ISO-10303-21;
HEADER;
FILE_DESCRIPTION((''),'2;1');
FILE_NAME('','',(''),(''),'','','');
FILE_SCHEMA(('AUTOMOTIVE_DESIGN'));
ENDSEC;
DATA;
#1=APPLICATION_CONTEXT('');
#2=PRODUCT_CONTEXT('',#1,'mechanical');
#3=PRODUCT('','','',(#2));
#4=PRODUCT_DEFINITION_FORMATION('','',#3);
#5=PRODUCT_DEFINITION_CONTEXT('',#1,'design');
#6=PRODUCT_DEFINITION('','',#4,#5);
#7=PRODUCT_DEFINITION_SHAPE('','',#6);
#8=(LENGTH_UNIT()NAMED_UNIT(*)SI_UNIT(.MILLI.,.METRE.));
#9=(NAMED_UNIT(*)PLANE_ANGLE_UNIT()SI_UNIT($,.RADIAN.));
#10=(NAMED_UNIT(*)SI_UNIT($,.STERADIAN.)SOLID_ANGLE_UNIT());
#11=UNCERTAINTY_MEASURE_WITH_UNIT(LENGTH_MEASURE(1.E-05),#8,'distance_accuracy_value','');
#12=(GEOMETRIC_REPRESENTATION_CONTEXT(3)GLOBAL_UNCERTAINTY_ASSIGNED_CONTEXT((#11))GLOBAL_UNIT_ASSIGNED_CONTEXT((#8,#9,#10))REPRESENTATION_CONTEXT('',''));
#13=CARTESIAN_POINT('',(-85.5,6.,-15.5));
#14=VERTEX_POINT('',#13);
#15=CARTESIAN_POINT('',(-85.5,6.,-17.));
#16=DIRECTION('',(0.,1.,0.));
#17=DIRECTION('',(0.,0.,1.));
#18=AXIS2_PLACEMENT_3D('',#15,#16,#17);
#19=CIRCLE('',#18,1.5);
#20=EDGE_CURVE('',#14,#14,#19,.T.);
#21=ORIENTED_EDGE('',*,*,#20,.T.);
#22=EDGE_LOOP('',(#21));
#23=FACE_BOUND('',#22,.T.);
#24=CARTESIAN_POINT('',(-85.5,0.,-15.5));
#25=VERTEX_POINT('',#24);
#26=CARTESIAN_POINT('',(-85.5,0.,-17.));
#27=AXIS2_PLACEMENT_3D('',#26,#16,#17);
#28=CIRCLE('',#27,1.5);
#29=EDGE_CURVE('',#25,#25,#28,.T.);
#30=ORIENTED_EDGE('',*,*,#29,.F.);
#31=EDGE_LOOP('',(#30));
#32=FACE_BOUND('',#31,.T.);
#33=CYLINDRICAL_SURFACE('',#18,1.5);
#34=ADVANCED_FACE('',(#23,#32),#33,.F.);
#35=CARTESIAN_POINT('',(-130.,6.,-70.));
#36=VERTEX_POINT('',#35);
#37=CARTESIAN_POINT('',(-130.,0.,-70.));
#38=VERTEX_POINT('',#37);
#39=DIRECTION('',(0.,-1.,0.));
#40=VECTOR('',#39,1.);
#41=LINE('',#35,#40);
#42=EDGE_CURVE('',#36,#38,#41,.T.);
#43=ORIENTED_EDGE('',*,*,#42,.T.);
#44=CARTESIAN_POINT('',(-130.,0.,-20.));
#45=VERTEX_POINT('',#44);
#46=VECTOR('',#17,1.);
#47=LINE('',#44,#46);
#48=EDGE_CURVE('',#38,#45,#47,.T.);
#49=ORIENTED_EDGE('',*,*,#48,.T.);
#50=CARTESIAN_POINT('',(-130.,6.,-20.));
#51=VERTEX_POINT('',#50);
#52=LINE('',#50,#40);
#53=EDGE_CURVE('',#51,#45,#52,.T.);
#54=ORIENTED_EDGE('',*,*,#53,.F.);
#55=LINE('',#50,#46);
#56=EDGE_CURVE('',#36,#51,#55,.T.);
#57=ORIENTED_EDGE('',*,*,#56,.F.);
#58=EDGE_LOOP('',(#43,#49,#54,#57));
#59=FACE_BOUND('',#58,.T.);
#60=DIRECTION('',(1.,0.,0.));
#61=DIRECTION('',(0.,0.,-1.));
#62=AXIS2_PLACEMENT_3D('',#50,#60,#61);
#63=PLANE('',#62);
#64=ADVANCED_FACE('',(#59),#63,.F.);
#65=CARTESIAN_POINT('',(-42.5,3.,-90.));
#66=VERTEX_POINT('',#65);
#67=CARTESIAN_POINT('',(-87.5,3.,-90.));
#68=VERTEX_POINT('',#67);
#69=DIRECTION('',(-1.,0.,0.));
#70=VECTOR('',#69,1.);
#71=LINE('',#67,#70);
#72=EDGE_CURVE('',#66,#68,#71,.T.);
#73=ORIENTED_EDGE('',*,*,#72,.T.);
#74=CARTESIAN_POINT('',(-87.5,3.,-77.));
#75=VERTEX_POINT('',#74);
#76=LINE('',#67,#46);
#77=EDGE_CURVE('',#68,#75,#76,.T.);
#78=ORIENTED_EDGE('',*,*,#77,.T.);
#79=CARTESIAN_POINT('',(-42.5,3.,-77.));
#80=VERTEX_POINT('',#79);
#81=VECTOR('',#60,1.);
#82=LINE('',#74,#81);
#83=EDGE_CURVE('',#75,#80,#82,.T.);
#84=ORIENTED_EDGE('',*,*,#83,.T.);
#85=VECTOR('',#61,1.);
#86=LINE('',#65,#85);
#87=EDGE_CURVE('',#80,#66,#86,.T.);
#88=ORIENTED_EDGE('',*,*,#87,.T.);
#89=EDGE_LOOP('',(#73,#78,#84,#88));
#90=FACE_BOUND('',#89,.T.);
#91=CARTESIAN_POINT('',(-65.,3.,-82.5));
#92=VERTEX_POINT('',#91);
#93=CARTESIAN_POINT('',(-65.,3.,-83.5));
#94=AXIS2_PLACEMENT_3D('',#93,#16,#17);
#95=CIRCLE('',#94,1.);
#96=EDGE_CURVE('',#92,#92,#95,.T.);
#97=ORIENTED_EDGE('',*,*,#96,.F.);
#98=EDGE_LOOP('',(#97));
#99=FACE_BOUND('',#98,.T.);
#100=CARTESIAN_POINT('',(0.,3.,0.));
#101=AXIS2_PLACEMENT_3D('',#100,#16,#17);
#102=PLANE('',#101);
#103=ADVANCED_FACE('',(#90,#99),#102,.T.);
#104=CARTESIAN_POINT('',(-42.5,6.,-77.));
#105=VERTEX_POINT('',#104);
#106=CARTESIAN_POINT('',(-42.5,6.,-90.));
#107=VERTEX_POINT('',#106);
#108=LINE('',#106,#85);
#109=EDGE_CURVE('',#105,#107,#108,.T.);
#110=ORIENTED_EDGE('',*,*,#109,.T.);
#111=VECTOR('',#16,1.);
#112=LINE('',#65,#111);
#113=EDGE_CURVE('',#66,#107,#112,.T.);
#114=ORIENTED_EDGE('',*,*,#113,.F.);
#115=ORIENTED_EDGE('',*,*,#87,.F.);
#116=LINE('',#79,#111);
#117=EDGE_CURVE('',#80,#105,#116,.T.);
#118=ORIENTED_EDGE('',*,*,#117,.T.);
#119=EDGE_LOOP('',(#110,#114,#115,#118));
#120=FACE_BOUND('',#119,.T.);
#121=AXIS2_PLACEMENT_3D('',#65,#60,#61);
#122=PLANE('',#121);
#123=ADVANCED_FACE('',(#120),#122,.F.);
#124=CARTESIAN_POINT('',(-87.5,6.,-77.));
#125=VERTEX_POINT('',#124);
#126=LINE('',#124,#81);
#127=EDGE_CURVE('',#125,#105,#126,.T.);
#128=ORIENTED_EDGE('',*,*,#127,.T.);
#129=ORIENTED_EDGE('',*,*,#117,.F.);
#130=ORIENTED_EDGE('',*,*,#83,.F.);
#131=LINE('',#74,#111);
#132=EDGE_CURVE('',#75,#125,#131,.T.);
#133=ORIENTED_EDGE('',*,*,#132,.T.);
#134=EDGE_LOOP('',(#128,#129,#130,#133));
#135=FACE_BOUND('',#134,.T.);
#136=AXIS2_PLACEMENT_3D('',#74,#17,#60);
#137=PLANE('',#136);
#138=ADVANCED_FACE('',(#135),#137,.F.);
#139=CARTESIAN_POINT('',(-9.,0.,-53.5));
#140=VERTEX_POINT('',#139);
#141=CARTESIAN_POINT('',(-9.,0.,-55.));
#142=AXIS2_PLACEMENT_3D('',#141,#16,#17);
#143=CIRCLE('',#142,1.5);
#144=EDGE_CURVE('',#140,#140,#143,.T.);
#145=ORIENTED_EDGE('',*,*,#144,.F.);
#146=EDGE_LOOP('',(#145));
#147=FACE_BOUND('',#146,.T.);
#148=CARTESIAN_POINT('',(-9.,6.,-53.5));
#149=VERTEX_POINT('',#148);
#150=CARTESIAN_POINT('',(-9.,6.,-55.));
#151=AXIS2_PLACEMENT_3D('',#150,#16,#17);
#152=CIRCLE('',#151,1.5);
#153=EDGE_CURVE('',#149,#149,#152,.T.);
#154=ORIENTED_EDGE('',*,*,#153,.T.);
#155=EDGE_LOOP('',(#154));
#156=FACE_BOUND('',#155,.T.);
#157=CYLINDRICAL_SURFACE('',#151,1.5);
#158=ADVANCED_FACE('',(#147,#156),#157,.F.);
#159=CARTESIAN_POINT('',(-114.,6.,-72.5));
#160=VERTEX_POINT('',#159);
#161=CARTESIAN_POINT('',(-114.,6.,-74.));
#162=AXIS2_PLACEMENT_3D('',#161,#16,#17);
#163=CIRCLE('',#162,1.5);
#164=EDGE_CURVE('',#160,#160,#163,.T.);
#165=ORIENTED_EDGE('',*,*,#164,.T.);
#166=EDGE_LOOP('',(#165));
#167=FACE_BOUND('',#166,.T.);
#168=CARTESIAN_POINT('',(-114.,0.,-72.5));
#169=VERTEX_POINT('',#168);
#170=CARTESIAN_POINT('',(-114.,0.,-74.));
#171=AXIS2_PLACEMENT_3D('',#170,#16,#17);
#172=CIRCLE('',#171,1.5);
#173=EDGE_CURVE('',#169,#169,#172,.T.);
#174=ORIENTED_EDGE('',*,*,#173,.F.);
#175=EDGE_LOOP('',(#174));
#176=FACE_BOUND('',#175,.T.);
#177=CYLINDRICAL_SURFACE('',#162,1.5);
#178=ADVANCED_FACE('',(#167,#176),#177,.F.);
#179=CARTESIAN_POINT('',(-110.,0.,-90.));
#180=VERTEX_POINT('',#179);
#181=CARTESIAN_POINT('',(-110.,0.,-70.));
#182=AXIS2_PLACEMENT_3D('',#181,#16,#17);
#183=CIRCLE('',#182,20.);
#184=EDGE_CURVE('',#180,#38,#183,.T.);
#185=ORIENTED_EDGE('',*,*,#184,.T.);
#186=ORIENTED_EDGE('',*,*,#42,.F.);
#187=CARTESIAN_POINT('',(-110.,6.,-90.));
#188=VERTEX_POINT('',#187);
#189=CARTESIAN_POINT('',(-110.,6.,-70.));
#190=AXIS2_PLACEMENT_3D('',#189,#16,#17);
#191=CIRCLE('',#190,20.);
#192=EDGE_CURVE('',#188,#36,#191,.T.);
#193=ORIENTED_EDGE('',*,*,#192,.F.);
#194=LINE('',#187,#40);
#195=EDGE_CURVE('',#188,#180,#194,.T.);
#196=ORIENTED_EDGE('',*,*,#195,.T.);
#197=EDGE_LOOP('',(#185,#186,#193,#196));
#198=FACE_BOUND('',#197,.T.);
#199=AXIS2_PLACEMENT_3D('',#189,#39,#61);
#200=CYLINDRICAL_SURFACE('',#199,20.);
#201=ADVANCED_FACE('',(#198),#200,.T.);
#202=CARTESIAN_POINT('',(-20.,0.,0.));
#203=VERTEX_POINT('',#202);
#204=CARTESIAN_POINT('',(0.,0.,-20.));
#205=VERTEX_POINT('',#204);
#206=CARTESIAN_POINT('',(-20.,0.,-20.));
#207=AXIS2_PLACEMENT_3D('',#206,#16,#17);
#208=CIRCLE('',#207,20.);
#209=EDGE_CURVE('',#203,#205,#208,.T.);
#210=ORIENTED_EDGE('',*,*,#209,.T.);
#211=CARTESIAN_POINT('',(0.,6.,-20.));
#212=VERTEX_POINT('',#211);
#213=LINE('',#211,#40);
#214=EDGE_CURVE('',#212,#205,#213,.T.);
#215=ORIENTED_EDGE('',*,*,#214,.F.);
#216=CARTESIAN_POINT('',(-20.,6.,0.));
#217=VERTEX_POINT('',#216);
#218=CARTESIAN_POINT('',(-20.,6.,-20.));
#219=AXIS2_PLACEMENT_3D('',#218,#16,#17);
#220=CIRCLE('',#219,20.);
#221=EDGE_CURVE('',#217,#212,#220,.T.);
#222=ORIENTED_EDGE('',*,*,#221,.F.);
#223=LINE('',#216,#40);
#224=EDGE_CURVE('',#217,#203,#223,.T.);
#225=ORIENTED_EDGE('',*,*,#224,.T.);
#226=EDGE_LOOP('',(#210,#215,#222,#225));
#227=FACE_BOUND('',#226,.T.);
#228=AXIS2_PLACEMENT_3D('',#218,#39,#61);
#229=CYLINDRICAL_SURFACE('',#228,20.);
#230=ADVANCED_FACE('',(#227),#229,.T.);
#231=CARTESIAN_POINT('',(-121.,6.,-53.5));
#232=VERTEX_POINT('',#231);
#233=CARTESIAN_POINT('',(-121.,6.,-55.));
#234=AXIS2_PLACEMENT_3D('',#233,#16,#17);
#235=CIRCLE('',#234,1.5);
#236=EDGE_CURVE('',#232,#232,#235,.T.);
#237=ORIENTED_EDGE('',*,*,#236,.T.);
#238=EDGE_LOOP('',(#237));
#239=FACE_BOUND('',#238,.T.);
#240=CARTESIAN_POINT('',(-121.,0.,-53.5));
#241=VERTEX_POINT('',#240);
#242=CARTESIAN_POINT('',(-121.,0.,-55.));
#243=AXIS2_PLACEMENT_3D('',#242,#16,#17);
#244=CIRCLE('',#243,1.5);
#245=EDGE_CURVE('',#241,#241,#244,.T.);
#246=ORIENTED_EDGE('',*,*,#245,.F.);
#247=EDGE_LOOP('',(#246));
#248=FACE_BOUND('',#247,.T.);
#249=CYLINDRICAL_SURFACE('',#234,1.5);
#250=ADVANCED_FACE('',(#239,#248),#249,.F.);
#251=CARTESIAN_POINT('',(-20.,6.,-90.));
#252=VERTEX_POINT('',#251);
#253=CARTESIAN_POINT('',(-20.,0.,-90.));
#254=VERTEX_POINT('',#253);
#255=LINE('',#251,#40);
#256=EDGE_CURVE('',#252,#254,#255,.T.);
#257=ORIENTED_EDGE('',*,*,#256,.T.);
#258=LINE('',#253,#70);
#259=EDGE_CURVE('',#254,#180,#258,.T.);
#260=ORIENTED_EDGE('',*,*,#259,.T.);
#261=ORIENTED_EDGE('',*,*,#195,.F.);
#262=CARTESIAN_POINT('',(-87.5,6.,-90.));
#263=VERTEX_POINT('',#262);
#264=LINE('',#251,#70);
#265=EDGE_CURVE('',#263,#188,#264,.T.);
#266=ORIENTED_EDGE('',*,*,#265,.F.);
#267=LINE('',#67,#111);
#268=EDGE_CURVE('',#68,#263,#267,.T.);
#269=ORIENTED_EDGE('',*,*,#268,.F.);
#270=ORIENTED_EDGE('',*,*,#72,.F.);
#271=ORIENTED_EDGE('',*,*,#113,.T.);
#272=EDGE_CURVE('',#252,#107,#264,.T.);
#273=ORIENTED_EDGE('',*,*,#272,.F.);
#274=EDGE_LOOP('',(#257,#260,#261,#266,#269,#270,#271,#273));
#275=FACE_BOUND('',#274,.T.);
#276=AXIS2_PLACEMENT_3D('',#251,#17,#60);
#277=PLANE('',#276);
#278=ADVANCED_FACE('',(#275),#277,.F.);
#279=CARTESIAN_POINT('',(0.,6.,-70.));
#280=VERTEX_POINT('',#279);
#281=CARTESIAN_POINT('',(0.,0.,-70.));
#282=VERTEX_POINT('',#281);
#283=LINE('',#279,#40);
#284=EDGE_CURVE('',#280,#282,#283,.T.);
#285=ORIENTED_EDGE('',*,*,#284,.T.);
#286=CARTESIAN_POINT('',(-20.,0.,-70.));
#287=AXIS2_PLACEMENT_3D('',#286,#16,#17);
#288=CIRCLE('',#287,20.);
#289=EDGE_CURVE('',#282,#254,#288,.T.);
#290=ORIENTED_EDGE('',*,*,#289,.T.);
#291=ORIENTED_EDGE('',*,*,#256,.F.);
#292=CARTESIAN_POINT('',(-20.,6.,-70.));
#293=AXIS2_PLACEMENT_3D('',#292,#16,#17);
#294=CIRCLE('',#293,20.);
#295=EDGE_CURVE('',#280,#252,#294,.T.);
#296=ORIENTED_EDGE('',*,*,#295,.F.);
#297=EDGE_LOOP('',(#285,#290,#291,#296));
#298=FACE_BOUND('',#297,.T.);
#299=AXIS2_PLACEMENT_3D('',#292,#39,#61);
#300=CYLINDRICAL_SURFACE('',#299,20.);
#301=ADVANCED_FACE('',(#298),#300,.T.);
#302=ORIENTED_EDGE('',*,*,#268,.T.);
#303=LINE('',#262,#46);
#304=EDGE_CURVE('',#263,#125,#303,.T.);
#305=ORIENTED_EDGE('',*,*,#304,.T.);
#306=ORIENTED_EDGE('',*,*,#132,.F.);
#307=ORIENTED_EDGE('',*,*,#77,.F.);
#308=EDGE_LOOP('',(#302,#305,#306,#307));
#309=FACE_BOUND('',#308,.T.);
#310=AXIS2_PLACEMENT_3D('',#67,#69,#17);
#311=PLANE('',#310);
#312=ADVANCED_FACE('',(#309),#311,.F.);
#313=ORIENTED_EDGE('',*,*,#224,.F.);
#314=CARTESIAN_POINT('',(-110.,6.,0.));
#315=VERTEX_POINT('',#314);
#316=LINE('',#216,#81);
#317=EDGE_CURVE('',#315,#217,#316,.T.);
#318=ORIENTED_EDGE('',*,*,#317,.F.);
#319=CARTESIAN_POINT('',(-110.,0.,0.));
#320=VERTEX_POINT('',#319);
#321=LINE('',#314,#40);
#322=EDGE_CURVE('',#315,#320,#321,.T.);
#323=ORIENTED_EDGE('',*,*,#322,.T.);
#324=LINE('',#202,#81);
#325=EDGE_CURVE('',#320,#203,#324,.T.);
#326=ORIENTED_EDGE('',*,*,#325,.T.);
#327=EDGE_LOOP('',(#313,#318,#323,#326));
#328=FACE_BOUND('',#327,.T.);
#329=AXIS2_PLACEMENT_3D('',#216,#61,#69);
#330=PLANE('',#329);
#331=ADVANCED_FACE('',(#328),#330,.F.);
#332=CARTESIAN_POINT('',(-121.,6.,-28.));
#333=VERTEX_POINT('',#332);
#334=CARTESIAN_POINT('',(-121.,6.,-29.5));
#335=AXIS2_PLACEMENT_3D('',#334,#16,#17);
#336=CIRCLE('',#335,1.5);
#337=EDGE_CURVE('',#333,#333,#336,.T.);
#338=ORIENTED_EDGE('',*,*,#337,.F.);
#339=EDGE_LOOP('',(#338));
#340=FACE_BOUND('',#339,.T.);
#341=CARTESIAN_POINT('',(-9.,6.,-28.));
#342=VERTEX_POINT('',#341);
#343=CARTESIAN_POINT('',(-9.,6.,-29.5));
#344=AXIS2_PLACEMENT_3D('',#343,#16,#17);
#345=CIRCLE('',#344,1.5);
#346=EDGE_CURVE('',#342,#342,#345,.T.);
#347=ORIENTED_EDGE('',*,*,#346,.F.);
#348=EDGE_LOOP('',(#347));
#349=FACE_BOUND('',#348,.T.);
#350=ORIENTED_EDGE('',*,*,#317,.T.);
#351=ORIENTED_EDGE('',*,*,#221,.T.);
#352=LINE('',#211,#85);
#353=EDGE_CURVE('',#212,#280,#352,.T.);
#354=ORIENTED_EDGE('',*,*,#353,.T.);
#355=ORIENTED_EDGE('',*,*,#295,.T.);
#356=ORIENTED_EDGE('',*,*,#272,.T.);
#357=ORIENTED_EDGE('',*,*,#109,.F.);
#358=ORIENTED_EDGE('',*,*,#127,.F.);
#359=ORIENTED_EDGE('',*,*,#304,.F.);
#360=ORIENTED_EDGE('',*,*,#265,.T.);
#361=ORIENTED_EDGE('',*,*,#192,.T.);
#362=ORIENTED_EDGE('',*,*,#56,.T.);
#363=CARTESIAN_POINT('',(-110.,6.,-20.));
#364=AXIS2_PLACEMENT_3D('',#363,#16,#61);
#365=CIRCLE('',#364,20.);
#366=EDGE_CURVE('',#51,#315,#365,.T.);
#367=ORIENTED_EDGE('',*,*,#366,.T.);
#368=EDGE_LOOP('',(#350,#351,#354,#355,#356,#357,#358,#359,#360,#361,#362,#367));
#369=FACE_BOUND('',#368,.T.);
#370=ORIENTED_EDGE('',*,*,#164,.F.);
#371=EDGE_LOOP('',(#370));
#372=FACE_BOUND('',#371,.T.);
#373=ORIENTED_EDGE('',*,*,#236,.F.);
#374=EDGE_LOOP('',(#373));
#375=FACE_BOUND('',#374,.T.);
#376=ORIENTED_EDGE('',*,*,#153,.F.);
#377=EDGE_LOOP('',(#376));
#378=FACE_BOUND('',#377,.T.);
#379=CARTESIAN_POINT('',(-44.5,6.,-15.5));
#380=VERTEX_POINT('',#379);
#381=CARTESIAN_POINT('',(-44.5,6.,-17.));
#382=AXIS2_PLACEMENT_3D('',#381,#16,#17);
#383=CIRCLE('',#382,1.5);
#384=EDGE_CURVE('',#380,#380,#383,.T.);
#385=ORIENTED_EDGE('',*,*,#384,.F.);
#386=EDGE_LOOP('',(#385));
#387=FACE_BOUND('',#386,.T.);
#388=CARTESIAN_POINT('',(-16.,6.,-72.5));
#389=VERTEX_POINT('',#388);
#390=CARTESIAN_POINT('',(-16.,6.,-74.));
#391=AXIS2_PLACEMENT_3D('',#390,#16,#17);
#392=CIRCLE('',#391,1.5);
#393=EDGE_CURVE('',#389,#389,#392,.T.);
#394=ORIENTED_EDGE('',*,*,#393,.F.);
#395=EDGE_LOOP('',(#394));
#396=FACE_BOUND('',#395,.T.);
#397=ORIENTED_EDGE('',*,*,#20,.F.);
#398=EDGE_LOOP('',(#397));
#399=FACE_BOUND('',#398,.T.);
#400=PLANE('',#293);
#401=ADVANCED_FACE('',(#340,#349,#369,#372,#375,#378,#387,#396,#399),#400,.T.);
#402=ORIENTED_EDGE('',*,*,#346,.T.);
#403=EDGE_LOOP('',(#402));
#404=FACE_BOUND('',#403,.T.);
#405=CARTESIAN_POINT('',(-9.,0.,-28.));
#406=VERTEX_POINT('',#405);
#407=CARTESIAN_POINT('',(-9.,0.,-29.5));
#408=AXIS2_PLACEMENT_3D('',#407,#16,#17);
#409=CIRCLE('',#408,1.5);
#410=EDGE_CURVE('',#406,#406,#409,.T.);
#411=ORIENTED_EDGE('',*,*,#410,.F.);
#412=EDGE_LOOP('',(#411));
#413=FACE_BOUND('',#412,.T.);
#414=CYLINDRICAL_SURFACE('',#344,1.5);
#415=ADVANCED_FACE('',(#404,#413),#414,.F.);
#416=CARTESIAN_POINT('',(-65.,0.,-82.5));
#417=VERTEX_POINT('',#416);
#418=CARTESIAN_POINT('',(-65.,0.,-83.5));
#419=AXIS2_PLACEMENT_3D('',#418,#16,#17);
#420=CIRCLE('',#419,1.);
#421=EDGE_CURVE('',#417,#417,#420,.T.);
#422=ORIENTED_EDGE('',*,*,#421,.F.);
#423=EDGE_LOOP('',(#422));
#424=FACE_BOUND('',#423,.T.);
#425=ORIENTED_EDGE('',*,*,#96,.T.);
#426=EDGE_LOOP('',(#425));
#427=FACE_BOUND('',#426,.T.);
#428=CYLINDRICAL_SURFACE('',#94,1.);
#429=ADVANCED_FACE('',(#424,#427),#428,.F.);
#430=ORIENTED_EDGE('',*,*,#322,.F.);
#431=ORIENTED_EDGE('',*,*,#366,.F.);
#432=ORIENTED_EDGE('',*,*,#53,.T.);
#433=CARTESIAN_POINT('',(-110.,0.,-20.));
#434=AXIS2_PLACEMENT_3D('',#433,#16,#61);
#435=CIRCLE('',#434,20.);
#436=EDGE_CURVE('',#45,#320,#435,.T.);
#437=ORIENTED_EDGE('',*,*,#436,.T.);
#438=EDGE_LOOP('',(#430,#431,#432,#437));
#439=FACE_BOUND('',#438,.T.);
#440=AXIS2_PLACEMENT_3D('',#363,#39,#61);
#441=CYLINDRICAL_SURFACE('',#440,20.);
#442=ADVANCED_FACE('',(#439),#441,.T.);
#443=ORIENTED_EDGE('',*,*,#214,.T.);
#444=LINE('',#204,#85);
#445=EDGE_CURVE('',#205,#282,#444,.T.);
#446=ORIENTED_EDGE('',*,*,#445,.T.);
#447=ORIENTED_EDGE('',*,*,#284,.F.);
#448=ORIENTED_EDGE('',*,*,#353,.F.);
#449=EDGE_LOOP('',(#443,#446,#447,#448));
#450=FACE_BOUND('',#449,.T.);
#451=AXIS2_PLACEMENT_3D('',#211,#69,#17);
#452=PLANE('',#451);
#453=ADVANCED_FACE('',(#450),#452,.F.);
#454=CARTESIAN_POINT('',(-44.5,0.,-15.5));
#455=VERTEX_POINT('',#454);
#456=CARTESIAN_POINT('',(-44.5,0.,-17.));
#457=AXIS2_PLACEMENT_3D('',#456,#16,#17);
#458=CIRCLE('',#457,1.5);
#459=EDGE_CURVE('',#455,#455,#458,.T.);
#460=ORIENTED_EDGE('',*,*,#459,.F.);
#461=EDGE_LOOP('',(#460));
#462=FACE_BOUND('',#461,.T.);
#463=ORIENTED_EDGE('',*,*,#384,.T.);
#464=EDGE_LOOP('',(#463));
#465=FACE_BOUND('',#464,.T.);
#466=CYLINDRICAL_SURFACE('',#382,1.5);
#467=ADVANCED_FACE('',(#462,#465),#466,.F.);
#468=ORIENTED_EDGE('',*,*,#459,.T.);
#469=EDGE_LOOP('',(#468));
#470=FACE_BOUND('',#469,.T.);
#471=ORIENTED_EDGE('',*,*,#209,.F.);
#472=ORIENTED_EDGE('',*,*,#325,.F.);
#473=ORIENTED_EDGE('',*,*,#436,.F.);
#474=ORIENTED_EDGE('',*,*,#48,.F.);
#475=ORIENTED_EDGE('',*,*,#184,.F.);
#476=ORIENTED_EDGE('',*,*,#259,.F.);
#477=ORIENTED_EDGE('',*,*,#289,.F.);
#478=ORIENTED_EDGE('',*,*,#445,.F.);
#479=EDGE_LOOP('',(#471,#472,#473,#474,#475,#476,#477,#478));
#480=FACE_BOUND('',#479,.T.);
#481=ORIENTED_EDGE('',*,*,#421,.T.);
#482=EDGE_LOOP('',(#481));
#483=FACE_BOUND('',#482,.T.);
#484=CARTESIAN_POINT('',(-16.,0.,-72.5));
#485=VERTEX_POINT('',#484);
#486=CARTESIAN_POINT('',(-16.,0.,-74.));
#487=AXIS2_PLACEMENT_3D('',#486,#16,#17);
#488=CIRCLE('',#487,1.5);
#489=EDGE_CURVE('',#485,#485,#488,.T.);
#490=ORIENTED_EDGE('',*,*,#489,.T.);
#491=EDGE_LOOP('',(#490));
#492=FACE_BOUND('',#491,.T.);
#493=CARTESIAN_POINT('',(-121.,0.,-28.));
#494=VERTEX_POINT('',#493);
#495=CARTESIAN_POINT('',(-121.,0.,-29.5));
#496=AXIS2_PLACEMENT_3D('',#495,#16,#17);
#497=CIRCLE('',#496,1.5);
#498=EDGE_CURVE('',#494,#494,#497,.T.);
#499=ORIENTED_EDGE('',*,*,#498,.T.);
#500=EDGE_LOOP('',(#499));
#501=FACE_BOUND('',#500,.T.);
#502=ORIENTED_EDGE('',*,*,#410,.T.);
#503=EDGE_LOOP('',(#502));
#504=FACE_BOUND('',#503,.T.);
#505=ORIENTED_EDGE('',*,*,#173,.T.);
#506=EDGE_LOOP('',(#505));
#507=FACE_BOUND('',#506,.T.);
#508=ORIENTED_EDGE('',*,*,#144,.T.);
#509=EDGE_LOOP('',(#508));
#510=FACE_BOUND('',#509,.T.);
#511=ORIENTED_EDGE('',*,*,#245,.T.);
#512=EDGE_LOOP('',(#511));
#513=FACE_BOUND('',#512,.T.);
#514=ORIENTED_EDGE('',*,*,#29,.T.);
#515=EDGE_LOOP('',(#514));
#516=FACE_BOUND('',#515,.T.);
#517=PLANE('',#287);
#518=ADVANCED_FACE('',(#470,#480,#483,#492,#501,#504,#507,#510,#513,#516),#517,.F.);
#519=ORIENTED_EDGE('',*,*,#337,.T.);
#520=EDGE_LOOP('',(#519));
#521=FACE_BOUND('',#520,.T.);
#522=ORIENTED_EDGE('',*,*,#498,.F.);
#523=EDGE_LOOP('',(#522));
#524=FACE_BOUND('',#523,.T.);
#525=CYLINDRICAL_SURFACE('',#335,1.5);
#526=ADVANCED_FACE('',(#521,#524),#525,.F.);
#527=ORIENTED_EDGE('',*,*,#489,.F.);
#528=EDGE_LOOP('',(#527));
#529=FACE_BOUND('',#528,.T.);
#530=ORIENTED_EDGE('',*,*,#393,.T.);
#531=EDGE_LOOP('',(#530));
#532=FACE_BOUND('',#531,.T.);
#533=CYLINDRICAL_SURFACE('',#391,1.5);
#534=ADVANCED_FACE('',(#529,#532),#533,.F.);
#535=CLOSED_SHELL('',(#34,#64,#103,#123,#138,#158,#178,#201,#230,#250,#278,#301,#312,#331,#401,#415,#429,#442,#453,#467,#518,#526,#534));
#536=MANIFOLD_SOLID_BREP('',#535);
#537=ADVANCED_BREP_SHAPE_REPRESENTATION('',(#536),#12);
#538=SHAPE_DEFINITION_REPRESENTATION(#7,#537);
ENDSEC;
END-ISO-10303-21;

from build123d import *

# Parameters (mm, degrees)
BOSS_EXTRUDE1_DEPTH       = 6
SKETCH3_W                 = 45
SKETCH3_H                 = 13
CUT_EXTRUDE1_DEPTH        = 3
F_2_0MM_DOWEL_HOLE1_D     = 2
F_2_0MM_DOWEL_HOLE1_DEPTH = 12
F_2_0MM_DOWEL_HOLE1_TIP   = 0.600860619
F_3_0MM_DOWEL_HOLE1_D     = 3
F_3_0MM_DOWEL_HOLE1_DEPTH = 12
F_3_0MM_DOWEL_HOLE1_TIP   = 0.901290929


with BuildPart() as part:
    # Sketch2 → Boss-Extrude1 (new body)
    with BuildSketch(Plane(origin=(0, 0, 0), x_dir=(1, 0, 0), z_dir=(0, 1, 0))):
        with BuildLine():
            Line((-20, 0), (-110, 0))
            ThreePointArc((-110, 0), (-124.142135624, 5.857864376), (-130, 20))
            Line((-130, 20), (-130, 70))
            ThreePointArc((-130, 70), (-124.142135624, 84.142135624), (-110, 90))
            Line((-110, 90), (-20, 90))
            ThreePointArc((-20, 90), (-5.857864376, 84.142135624), (0, 70))
            Line((0, 70), (0, 20))
            ThreePointArc((0, 20), (-5.857864376, 5.857864376), (-20, 0))
        make_face()
    extrude(amount=BOSS_EXTRUDE1_DEPTH)

    # Sketch3 → Cut-Extrude1 (cut)
    with BuildSketch(Plane(origin=(0, 6, 0), x_dir=(1, 0, 0), z_dir=(0, 1, 0))):
        with Locations((-65, 83.5)):
            Rectangle(SKETCH3_W, SKETCH3_H)
    extrude(amount=-CUT_EXTRUDE1_DEPTH, mode=Mode.SUBTRACT)

    # Ø2.0mm Dowel Hole1
    with Locations(Plane(origin=(0, 3, 0), x_dir=(1, 0, 0), z_dir=(0, 1, 0))):
        with Locations((-65, 83.5)):
            Hole(F_2_0MM_DOWEL_HOLE1_D / 2, depth=F_2_0MM_DOWEL_HOLE1_DEPTH)
            with Locations((0, 0, -(F_2_0MM_DOWEL_HOLE1_DEPTH + F_2_0MM_DOWEL_HOLE1_TIP / 2))):  # 118° drill point
                Cone(0, F_2_0MM_DOWEL_HOLE1_D / 2, F_2_0MM_DOWEL_HOLE1_TIP, mode=Mode.SUBTRACT)

    # Ø3.0mm Dowel Hole1
    with Locations(Plane(origin=(0, 6, 0), x_dir=(1, 0, 0), z_dir=(0, 1, 0))):
        with Locations((-114, 74), (-16, 74), (-121, 55), (-9, 55), (-121, 29.5), (-9, 29.5), (-85.5, 17), (-44.5, 17)):
            Hole(F_3_0MM_DOWEL_HOLE1_D / 2, depth=F_3_0MM_DOWEL_HOLE1_DEPTH)
            with Locations((0, 0, -(F_3_0MM_DOWEL_HOLE1_DEPTH + F_3_0MM_DOWEL_HOLE1_TIP / 2))):  # 118° drill point
                Cone(0, F_3_0MM_DOWEL_HOLE1_D / 2, F_3_0MM_DOWEL_HOLE1_TIP, mode=Mode.SUBTRACT)


solid = part.part
